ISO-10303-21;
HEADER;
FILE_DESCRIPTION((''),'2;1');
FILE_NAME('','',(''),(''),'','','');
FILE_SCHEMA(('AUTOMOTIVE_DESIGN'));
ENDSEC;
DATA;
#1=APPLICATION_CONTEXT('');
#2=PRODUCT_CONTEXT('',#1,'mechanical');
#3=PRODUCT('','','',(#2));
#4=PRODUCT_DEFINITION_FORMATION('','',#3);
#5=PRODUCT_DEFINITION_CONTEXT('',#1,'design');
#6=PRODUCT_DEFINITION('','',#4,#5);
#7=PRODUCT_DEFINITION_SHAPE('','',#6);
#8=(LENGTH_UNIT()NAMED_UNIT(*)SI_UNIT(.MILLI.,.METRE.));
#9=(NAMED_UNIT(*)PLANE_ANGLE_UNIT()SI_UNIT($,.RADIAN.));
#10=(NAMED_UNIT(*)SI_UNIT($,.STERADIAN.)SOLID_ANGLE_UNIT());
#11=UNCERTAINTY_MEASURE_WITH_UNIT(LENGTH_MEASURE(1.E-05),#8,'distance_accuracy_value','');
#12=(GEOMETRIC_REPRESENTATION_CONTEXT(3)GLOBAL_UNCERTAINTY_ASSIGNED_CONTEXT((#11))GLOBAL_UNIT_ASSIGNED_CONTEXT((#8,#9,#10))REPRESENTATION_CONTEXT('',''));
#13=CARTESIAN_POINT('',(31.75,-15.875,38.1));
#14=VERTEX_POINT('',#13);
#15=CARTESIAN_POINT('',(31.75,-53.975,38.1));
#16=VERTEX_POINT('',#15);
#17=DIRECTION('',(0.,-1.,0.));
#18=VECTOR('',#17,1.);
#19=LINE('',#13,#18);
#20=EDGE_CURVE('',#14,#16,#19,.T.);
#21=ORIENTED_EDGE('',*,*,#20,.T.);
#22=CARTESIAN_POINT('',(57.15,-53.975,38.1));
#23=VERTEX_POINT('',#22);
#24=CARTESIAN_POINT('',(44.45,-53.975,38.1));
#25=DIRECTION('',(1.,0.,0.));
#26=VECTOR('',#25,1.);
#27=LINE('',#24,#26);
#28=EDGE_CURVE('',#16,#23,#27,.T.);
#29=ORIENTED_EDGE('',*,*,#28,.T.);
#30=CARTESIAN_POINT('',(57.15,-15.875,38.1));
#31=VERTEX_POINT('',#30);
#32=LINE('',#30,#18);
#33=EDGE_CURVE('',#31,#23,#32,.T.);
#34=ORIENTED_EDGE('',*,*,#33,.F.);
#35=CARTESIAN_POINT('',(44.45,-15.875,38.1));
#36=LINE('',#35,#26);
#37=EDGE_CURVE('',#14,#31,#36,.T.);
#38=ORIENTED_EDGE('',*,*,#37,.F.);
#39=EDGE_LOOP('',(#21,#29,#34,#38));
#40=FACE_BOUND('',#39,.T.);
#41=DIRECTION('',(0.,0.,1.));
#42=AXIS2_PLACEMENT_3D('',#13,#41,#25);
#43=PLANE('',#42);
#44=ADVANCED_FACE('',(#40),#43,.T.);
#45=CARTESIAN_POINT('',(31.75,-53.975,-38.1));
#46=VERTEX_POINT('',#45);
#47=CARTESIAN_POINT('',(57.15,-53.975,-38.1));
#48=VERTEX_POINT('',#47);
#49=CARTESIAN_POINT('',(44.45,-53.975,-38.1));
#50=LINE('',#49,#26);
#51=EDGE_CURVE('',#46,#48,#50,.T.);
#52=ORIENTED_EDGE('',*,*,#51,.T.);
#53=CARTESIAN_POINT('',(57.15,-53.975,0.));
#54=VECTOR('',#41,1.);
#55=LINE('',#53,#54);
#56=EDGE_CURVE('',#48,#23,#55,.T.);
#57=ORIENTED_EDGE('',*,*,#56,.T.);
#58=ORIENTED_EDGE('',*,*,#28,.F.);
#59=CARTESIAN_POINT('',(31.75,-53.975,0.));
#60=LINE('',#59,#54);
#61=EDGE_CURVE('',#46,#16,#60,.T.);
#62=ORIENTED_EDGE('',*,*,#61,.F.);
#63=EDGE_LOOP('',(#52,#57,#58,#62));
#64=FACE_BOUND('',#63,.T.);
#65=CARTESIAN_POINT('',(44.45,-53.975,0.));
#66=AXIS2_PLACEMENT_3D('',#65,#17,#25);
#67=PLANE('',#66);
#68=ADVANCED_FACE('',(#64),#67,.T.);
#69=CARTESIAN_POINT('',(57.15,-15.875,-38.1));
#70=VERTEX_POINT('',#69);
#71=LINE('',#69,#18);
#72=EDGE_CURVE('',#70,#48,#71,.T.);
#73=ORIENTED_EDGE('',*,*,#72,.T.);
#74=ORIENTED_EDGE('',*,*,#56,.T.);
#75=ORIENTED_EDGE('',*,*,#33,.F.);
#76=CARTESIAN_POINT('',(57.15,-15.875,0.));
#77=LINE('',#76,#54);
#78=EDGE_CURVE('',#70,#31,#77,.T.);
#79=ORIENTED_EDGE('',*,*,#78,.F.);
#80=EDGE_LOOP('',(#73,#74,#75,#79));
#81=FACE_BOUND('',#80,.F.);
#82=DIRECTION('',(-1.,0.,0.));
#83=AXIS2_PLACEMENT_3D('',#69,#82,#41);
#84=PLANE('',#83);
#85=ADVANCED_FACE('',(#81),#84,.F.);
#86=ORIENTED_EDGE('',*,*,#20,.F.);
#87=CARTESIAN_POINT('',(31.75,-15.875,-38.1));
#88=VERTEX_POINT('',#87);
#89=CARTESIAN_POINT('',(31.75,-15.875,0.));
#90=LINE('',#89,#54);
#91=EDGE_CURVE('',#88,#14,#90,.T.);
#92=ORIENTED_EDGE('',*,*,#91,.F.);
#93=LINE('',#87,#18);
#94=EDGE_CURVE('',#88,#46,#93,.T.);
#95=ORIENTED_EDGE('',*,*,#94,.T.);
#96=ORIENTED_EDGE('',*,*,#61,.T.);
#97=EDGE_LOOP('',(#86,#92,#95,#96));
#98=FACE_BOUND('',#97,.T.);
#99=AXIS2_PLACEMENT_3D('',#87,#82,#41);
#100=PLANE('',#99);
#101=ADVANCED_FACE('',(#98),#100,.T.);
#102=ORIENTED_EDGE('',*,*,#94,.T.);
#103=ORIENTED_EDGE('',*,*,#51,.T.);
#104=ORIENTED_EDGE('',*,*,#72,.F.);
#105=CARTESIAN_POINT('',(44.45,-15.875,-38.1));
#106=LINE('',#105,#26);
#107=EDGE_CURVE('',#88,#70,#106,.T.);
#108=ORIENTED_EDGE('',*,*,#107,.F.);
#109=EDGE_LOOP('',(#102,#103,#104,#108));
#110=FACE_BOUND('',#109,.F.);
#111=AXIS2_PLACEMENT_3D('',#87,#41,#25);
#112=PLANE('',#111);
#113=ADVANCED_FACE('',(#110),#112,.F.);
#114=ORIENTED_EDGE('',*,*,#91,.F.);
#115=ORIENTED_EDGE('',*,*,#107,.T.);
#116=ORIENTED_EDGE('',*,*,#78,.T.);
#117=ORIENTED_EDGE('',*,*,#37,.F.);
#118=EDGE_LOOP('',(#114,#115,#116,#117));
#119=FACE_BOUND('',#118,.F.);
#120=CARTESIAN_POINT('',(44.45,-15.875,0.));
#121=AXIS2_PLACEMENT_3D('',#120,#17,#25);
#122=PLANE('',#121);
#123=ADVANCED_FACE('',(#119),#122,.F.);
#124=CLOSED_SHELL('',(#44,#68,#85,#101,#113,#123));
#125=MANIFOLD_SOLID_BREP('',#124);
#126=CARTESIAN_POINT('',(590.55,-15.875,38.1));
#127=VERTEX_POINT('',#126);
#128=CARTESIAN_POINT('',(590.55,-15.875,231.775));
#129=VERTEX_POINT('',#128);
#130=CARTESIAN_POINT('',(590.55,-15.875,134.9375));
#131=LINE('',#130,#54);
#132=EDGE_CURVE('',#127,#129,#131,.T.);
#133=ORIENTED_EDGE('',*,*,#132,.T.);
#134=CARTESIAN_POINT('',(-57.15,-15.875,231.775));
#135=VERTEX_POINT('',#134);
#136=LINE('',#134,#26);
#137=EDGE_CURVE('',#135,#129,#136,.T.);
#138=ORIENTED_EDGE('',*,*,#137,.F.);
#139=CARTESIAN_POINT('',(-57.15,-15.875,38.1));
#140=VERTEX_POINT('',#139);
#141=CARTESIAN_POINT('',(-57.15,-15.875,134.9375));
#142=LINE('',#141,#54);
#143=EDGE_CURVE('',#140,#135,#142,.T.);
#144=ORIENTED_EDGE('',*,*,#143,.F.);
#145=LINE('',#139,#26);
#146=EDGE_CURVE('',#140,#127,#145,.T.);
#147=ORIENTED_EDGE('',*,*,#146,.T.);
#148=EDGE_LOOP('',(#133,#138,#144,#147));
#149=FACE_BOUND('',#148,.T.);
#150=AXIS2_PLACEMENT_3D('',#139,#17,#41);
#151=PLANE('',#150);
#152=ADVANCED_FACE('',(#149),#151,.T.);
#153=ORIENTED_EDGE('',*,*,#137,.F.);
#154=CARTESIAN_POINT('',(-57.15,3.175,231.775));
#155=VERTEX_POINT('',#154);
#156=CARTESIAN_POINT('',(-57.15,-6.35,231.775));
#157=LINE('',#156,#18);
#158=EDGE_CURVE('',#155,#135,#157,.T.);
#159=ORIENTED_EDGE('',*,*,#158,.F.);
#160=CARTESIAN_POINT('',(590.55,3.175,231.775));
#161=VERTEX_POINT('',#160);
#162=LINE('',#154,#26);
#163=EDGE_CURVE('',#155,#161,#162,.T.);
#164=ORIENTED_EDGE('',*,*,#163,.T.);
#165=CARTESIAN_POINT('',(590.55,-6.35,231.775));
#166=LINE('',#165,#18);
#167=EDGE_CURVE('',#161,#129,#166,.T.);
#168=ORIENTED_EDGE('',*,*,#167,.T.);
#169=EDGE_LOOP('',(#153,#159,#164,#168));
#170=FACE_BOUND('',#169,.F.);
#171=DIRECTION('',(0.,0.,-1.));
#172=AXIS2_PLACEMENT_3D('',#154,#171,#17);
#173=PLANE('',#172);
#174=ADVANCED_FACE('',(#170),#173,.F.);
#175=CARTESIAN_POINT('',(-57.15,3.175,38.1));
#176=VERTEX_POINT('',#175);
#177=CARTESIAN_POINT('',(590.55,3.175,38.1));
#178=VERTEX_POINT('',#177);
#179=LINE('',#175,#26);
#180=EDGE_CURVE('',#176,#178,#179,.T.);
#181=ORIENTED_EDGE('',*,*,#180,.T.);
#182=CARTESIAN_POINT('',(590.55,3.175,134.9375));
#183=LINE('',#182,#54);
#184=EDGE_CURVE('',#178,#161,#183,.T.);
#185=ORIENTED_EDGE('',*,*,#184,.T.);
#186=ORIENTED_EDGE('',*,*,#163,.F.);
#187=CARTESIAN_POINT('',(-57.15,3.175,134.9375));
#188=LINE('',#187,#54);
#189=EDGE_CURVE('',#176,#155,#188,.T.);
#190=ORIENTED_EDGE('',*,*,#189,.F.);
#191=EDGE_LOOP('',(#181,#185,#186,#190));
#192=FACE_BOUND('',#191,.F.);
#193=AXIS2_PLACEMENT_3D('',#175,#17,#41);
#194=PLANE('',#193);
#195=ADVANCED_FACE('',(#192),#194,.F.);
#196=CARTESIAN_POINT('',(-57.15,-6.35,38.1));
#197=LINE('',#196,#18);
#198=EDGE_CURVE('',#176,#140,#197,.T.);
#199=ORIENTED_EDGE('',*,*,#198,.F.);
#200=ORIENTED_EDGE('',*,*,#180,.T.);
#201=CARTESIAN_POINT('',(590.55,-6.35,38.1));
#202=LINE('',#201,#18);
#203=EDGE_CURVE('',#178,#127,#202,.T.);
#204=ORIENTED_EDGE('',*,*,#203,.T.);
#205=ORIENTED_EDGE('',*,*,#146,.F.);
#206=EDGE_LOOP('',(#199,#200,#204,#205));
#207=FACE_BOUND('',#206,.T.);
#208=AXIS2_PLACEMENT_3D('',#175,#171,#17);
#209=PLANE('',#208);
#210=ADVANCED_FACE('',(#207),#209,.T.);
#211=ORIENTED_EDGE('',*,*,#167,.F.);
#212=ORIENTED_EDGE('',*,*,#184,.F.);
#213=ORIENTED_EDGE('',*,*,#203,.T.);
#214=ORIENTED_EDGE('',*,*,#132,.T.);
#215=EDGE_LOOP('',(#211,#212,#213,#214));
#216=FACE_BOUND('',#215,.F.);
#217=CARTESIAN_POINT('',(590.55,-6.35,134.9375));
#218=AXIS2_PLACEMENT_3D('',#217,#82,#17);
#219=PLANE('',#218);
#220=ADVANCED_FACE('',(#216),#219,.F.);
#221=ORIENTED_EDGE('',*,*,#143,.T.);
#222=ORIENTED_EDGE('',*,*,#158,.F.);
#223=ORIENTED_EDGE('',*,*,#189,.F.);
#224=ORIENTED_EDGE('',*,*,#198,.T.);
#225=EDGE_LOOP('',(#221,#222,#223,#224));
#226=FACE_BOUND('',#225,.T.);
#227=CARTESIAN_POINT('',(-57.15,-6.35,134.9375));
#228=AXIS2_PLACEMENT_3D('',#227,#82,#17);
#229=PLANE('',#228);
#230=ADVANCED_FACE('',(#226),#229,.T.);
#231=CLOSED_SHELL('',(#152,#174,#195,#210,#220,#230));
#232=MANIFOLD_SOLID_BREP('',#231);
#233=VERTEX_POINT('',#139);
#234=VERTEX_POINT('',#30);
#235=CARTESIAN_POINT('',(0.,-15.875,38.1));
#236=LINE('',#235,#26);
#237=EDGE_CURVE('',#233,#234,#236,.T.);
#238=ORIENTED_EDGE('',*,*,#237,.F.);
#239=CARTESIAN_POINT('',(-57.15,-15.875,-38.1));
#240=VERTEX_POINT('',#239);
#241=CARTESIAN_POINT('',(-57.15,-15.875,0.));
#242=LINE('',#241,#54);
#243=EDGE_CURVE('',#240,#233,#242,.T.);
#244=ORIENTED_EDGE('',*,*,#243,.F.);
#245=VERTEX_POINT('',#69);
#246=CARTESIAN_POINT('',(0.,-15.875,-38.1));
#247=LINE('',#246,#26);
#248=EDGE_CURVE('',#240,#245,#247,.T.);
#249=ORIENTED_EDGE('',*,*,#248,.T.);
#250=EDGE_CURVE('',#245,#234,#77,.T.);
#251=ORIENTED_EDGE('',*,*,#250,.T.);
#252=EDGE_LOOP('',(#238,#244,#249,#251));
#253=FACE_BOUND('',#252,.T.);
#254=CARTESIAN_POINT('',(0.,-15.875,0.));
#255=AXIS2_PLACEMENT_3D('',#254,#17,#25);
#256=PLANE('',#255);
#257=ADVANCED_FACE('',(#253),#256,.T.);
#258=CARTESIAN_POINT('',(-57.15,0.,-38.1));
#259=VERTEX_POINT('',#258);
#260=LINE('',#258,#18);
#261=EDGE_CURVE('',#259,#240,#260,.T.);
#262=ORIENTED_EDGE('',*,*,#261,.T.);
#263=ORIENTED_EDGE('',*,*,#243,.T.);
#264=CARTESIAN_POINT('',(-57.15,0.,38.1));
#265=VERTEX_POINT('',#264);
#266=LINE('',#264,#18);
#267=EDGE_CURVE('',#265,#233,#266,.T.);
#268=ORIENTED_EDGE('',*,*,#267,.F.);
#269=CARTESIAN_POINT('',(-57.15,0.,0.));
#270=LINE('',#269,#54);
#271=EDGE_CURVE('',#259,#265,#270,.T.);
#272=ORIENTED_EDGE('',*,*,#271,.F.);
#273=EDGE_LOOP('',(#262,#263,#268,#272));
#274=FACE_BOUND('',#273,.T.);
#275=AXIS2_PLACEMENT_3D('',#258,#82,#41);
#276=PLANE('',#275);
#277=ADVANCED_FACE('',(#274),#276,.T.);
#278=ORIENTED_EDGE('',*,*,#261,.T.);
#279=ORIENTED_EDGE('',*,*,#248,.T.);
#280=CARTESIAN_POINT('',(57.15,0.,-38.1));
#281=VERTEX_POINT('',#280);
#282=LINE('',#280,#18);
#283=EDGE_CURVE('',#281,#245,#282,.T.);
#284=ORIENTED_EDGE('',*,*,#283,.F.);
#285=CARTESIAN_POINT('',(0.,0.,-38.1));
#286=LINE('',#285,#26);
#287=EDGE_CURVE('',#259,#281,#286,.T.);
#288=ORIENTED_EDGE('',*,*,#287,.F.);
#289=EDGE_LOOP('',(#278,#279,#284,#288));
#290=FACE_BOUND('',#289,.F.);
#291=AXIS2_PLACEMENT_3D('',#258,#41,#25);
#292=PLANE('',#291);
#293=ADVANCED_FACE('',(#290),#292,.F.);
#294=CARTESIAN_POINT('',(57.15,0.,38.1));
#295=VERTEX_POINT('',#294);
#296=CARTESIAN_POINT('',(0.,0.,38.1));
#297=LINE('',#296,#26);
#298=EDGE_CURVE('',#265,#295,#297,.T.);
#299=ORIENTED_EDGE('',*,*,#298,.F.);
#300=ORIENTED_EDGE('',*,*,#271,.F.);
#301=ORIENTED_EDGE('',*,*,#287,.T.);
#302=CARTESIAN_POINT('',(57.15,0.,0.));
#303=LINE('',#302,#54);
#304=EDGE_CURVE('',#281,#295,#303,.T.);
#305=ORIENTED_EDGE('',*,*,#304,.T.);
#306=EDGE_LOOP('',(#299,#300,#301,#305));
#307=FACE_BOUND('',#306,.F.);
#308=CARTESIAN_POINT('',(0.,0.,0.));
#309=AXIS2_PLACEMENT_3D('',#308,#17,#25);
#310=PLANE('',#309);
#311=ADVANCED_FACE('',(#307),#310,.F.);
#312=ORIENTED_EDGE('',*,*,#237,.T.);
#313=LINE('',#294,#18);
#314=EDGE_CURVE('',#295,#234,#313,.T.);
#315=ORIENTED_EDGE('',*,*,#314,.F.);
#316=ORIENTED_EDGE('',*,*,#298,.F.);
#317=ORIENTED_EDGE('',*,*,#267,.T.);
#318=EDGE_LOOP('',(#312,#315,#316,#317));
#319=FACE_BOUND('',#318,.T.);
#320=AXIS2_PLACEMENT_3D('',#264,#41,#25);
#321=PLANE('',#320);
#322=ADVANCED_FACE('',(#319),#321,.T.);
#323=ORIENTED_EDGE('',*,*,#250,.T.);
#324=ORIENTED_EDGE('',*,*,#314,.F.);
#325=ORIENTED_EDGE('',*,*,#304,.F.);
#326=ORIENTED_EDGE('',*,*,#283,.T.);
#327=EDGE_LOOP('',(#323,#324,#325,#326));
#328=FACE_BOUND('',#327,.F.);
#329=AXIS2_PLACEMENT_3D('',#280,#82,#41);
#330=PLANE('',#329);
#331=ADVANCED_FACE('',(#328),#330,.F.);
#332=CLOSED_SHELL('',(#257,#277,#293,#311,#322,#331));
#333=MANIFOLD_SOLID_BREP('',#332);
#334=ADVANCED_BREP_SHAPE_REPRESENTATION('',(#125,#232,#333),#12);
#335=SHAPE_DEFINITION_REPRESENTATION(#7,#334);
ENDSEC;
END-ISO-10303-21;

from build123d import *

# Parameters (mm, degrees)
F0_W     = 114.3
F0_H     = 76.2
F1_DEPTH = 15.875
F2_W     = 25.4
F2_H     = 76.2
F3_DEPTH = 38.1
F4_W     = 19.05
F4_H     = 193.675
F5_DEPTH = 647.7


with BuildPart() as f1:
    # F0 (on Front) → F1 (new body)
    with BuildSketch(Plane.XZ):
        Rectangle(F0_W, F0_H)
    extrude(amount=F1_DEPTH)


with BuildPart() as f3:
    # F2 (on face) → F3 (new body)
    with BuildSketch(Plane.XZ.offset(15.875)):
        with Locations((44.45, 0)):
            Rectangle(F2_W, F2_H)
    extrude(amount=F3_DEPTH)


with BuildPart() as f5:
    # F4 (on face) → F5 (new body)
    with BuildSketch(Plane(origin=(-57.15, 0, 0), x_dir=(0, -1, 0), z_dir=(-1, 0, 0))):
        with Locations((6.35, 134.9375)):
            Rectangle(F4_W, F4_H)
    extrude(amount=-F5_DEPTH)


solid = Compound([f1.part, f3.part, f5.part])
